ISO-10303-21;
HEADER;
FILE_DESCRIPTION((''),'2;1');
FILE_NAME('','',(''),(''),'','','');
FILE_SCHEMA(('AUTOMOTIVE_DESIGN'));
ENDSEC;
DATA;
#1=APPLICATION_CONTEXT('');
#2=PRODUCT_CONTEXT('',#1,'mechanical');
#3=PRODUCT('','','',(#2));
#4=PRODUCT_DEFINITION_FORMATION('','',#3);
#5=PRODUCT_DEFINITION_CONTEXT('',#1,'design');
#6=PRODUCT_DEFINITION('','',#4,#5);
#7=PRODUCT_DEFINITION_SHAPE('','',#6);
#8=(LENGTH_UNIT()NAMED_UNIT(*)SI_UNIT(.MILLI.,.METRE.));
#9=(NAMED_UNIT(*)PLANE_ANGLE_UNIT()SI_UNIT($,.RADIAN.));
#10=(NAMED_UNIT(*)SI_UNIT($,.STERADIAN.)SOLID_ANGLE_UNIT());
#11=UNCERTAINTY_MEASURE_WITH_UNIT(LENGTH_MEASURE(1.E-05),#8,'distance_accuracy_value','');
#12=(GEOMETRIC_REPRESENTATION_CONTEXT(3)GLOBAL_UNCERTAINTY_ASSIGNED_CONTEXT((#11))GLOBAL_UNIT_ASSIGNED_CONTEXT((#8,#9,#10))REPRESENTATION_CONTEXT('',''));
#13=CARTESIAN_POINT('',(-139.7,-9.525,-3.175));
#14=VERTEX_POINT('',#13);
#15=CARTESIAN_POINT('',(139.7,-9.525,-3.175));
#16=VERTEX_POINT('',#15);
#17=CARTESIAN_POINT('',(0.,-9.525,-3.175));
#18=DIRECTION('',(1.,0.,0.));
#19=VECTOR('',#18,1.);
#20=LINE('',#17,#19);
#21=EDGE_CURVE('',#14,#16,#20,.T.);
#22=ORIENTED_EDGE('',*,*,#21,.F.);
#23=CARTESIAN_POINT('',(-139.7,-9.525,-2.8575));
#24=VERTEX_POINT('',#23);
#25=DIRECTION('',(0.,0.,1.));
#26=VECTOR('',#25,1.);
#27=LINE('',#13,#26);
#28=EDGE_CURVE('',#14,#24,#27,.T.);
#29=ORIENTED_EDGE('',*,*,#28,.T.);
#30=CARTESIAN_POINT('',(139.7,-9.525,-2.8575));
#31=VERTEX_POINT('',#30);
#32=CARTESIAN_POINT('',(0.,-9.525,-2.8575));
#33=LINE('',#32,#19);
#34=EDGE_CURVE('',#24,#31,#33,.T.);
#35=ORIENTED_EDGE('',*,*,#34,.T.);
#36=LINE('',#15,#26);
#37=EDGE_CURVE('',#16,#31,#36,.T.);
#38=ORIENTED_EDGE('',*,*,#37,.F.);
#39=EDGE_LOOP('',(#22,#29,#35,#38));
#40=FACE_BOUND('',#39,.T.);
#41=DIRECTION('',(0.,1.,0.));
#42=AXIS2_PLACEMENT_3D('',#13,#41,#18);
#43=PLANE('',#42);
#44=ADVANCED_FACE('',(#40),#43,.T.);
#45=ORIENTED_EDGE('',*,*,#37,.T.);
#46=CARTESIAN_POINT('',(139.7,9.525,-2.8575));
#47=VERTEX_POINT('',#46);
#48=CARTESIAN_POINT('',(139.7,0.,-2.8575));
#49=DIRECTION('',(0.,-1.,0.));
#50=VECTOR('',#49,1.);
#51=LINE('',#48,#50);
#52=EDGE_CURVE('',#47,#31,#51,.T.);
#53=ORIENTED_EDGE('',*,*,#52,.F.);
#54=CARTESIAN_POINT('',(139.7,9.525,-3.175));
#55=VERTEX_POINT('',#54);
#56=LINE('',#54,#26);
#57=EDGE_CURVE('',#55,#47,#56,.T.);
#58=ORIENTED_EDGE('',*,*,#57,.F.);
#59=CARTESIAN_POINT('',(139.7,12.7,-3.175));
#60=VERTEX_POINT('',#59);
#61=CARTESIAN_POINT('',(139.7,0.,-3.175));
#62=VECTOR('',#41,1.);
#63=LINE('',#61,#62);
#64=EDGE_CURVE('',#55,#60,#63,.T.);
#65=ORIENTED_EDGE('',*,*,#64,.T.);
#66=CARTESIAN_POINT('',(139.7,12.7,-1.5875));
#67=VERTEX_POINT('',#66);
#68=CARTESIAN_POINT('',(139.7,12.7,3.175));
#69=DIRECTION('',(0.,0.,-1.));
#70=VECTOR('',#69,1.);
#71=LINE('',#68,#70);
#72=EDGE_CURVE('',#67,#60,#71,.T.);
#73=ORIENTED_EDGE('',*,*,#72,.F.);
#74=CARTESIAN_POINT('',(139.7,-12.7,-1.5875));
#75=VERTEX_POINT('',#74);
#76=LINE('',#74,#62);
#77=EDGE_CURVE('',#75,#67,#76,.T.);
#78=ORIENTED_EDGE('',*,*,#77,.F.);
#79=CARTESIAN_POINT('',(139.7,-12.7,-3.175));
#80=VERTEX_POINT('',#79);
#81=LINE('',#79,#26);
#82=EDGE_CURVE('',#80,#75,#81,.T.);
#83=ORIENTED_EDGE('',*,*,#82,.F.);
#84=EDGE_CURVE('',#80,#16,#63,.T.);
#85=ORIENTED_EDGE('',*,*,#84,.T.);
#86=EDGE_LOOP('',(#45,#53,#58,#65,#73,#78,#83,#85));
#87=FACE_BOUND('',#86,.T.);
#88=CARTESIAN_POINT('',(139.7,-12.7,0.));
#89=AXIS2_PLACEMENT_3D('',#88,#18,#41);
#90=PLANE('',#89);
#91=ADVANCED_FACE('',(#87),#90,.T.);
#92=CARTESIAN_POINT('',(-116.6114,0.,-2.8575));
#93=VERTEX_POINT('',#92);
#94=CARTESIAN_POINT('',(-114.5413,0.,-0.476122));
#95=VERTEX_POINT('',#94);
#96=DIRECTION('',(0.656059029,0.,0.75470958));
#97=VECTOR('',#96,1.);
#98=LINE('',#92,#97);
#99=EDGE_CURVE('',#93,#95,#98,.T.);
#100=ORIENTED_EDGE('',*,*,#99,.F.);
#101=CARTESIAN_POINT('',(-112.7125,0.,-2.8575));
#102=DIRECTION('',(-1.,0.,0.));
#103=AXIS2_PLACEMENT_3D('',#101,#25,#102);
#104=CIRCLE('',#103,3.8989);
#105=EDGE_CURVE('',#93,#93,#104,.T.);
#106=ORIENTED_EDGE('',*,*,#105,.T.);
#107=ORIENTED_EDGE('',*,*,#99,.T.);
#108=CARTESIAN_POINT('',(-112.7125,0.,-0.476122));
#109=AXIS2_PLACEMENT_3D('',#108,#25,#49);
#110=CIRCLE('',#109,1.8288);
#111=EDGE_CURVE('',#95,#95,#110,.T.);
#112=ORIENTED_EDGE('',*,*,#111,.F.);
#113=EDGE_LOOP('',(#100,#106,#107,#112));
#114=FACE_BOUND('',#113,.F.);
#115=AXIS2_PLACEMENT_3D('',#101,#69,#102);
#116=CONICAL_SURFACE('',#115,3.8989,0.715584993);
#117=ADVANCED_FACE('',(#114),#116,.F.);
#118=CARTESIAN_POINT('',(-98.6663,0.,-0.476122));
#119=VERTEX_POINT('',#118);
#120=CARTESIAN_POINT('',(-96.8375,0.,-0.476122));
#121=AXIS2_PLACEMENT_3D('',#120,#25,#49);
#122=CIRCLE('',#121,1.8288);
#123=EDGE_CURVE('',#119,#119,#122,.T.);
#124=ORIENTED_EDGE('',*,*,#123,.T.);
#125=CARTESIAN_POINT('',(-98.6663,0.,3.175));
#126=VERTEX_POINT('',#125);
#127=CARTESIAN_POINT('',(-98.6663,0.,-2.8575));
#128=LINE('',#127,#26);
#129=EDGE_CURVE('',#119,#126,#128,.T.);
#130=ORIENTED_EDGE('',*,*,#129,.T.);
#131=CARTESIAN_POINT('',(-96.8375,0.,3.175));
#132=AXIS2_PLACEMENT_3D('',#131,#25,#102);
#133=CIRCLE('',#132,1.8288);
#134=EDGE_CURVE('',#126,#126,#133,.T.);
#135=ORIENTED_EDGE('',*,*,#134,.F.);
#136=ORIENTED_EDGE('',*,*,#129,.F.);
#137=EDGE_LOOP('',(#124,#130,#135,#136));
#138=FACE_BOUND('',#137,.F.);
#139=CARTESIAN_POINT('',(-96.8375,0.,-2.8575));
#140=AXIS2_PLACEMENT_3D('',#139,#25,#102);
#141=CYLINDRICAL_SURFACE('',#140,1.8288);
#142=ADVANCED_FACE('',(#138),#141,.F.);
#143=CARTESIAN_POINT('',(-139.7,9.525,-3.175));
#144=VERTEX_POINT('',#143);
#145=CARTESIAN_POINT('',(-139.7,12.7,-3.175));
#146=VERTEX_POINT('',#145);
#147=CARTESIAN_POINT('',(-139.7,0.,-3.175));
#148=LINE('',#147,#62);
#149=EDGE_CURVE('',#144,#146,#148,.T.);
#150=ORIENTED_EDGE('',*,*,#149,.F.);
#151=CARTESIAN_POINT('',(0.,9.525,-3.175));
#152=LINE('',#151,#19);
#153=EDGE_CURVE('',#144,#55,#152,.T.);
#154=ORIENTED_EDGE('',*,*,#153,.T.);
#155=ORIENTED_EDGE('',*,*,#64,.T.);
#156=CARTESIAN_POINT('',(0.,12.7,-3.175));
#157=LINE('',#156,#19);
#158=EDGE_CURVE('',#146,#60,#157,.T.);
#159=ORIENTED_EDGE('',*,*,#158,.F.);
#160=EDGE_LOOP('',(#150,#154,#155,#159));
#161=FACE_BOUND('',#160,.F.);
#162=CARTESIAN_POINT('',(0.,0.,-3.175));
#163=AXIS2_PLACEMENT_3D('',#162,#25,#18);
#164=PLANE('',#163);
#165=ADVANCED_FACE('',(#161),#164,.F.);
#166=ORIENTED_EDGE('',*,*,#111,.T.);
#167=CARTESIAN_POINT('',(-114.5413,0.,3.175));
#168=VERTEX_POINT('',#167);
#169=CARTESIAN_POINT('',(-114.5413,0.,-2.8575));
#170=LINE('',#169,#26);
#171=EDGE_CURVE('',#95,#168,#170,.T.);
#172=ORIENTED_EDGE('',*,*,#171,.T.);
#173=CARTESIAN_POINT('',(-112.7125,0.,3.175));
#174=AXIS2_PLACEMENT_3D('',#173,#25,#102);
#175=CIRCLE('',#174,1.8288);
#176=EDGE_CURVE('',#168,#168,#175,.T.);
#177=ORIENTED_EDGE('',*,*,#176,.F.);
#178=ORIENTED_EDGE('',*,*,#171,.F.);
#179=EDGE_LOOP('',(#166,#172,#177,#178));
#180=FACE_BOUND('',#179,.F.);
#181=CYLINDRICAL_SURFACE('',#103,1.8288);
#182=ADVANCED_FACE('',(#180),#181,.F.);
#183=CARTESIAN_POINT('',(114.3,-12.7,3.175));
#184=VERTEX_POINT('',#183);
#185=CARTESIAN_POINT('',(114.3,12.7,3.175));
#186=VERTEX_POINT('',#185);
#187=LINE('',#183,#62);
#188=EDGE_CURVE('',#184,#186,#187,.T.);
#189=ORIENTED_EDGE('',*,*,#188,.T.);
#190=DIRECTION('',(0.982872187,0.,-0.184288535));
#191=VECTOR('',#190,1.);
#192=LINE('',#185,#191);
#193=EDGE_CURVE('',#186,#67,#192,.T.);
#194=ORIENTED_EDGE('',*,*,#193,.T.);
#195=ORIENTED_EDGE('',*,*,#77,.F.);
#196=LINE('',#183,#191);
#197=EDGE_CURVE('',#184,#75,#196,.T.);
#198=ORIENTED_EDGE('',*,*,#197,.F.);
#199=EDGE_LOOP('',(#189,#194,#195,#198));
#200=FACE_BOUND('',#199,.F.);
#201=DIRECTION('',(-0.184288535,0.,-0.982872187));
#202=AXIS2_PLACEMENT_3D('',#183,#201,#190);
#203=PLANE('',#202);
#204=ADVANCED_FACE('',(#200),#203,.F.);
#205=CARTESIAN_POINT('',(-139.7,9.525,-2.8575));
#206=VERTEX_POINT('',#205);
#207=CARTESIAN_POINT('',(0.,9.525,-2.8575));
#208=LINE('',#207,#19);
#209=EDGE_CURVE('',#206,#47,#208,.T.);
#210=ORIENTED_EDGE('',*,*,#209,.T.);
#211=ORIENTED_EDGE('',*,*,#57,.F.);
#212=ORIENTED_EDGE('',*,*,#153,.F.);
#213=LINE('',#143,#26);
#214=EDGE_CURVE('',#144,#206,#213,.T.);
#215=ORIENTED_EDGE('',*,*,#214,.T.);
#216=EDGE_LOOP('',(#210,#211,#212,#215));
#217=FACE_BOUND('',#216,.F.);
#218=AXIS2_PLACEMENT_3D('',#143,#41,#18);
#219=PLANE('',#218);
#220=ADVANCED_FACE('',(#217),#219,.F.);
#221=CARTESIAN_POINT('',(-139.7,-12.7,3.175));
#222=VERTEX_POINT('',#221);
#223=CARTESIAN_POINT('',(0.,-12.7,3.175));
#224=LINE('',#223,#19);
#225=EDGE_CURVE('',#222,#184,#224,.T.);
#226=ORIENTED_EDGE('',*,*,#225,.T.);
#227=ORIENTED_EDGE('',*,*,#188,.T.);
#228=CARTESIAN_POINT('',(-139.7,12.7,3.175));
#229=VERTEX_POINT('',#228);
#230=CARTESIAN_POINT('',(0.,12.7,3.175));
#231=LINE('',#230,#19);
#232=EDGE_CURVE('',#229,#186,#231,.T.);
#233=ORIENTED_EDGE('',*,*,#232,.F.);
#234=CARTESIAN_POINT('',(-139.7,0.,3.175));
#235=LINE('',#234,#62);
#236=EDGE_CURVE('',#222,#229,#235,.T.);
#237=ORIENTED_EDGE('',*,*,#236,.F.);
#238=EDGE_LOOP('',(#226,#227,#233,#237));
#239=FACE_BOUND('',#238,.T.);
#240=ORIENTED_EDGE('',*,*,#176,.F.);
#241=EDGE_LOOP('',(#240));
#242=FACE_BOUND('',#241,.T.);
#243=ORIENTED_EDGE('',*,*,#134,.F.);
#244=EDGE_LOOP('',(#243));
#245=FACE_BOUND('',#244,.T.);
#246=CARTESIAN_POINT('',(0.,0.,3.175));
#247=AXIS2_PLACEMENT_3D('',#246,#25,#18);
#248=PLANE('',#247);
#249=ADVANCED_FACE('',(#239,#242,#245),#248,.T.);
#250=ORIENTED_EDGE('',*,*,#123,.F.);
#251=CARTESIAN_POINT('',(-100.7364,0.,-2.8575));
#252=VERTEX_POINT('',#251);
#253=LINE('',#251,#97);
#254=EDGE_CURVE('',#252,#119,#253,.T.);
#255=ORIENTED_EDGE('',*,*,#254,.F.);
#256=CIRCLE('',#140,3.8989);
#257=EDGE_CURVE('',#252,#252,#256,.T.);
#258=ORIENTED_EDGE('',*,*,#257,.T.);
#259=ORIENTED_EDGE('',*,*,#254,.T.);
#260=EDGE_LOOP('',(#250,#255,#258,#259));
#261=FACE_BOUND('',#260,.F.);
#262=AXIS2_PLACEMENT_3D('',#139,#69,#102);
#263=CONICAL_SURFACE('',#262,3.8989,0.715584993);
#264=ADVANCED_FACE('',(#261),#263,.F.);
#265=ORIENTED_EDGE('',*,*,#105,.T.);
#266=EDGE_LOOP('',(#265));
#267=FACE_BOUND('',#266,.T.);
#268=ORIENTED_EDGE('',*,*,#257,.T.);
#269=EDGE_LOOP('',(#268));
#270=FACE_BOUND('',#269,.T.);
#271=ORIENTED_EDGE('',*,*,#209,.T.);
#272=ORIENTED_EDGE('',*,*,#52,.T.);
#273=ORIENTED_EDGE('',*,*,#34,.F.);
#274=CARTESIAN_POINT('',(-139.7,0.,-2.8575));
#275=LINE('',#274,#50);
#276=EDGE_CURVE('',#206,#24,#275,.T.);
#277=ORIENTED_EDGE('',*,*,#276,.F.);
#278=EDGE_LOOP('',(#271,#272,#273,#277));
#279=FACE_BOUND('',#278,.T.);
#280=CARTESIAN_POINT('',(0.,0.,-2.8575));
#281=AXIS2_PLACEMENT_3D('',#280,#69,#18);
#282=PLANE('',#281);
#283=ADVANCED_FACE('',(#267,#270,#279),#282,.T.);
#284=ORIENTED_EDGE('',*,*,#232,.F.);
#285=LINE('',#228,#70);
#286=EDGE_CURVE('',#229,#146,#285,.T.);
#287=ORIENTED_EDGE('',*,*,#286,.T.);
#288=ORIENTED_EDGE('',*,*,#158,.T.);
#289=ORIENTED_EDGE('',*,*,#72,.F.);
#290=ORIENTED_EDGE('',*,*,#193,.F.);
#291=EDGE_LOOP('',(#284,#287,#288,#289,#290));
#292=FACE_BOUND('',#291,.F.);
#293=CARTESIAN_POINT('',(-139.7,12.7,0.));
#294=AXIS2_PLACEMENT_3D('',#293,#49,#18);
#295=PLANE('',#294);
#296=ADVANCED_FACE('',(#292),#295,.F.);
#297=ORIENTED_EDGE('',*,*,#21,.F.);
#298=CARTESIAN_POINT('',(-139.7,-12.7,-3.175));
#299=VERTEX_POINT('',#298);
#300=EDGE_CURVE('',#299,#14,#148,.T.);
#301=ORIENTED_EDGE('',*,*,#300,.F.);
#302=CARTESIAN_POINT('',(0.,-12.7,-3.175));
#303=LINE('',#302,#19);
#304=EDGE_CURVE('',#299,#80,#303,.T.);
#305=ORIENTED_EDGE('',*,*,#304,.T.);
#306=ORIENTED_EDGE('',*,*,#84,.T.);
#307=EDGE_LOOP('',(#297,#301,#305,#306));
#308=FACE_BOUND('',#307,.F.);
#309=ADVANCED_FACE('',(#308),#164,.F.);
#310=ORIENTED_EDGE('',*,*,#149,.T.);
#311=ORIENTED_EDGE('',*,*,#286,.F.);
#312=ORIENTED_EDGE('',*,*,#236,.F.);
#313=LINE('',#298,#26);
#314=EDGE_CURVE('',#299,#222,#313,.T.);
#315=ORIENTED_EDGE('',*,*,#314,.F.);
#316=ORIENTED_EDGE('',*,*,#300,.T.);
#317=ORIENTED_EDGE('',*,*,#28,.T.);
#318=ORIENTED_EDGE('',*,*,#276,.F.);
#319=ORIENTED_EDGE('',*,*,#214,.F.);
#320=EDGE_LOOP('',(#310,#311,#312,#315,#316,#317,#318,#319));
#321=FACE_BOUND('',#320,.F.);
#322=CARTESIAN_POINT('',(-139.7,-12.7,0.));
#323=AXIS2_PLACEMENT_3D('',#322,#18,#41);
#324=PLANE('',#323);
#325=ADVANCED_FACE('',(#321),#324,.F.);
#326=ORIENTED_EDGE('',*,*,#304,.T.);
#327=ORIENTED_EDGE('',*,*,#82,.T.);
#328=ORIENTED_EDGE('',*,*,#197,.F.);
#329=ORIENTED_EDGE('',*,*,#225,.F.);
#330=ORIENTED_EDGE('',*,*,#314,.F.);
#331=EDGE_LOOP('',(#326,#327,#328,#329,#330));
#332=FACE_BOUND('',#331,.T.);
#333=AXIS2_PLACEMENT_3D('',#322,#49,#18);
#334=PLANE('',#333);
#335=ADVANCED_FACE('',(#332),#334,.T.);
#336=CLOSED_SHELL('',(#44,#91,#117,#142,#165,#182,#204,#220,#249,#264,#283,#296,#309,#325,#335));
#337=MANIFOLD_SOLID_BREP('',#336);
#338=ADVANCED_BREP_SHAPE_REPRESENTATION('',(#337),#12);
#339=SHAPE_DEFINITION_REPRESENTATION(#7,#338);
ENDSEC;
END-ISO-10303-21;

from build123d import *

# Parameters (mm, degrees)
F0_W           = 279.4
F0_H           = 25.4
F1_DEPTH       = 3.175
F3_DEPTH       = 25.4
F4_W           = 279.4
F4_H           = 19.05
F5_DEPTH       = 0.3175
F7_D           = 3.6576
F7_CSINK_D     = 7.7978
F7_CSINK_ANGLE = 82


with BuildPart() as f1:
    # F0 (on Top) → F1 (new body, symmetric)
    with BuildSketch(Plane.XY):
        Rectangle(F0_W, F0_H)
    extrude(amount=F1_DEPTH, both=True)

    # F2 (on face) → F3 (cut)
    with BuildSketch(Plane.XZ.offset(12.7)):
        Polygon((139.7, 3.175), (114.3, 3.175), (139.7, -1.5875), align=None)
    extrude(amount=-F3_DEPTH, mode=Mode.SUBTRACT)

    # F4 (on face) → F5 (cut)
    with BuildSketch(Plane(origin=(0, 0, -3.175), x_dir=(1, 0, 0), z_dir=(0, 0, -1))):
        Rectangle(F4_W, F4_H)
    extrude(amount=-F5_DEPTH, mode=Mode.SUBTRACT)

    # F7 (through all)
    with Locations(Plane(origin=(0, 0, -2.8575), x_dir=(1, 0, 0), z_dir=(0, 0, -1))):
        with Locations((-112.7125, 0), (-96.8375, 0)):
            CounterSinkHole(F7_D / 2, F7_CSINK_D / 2, counter_sink_angle=F7_CSINK_ANGLE)


solid = f1.part
